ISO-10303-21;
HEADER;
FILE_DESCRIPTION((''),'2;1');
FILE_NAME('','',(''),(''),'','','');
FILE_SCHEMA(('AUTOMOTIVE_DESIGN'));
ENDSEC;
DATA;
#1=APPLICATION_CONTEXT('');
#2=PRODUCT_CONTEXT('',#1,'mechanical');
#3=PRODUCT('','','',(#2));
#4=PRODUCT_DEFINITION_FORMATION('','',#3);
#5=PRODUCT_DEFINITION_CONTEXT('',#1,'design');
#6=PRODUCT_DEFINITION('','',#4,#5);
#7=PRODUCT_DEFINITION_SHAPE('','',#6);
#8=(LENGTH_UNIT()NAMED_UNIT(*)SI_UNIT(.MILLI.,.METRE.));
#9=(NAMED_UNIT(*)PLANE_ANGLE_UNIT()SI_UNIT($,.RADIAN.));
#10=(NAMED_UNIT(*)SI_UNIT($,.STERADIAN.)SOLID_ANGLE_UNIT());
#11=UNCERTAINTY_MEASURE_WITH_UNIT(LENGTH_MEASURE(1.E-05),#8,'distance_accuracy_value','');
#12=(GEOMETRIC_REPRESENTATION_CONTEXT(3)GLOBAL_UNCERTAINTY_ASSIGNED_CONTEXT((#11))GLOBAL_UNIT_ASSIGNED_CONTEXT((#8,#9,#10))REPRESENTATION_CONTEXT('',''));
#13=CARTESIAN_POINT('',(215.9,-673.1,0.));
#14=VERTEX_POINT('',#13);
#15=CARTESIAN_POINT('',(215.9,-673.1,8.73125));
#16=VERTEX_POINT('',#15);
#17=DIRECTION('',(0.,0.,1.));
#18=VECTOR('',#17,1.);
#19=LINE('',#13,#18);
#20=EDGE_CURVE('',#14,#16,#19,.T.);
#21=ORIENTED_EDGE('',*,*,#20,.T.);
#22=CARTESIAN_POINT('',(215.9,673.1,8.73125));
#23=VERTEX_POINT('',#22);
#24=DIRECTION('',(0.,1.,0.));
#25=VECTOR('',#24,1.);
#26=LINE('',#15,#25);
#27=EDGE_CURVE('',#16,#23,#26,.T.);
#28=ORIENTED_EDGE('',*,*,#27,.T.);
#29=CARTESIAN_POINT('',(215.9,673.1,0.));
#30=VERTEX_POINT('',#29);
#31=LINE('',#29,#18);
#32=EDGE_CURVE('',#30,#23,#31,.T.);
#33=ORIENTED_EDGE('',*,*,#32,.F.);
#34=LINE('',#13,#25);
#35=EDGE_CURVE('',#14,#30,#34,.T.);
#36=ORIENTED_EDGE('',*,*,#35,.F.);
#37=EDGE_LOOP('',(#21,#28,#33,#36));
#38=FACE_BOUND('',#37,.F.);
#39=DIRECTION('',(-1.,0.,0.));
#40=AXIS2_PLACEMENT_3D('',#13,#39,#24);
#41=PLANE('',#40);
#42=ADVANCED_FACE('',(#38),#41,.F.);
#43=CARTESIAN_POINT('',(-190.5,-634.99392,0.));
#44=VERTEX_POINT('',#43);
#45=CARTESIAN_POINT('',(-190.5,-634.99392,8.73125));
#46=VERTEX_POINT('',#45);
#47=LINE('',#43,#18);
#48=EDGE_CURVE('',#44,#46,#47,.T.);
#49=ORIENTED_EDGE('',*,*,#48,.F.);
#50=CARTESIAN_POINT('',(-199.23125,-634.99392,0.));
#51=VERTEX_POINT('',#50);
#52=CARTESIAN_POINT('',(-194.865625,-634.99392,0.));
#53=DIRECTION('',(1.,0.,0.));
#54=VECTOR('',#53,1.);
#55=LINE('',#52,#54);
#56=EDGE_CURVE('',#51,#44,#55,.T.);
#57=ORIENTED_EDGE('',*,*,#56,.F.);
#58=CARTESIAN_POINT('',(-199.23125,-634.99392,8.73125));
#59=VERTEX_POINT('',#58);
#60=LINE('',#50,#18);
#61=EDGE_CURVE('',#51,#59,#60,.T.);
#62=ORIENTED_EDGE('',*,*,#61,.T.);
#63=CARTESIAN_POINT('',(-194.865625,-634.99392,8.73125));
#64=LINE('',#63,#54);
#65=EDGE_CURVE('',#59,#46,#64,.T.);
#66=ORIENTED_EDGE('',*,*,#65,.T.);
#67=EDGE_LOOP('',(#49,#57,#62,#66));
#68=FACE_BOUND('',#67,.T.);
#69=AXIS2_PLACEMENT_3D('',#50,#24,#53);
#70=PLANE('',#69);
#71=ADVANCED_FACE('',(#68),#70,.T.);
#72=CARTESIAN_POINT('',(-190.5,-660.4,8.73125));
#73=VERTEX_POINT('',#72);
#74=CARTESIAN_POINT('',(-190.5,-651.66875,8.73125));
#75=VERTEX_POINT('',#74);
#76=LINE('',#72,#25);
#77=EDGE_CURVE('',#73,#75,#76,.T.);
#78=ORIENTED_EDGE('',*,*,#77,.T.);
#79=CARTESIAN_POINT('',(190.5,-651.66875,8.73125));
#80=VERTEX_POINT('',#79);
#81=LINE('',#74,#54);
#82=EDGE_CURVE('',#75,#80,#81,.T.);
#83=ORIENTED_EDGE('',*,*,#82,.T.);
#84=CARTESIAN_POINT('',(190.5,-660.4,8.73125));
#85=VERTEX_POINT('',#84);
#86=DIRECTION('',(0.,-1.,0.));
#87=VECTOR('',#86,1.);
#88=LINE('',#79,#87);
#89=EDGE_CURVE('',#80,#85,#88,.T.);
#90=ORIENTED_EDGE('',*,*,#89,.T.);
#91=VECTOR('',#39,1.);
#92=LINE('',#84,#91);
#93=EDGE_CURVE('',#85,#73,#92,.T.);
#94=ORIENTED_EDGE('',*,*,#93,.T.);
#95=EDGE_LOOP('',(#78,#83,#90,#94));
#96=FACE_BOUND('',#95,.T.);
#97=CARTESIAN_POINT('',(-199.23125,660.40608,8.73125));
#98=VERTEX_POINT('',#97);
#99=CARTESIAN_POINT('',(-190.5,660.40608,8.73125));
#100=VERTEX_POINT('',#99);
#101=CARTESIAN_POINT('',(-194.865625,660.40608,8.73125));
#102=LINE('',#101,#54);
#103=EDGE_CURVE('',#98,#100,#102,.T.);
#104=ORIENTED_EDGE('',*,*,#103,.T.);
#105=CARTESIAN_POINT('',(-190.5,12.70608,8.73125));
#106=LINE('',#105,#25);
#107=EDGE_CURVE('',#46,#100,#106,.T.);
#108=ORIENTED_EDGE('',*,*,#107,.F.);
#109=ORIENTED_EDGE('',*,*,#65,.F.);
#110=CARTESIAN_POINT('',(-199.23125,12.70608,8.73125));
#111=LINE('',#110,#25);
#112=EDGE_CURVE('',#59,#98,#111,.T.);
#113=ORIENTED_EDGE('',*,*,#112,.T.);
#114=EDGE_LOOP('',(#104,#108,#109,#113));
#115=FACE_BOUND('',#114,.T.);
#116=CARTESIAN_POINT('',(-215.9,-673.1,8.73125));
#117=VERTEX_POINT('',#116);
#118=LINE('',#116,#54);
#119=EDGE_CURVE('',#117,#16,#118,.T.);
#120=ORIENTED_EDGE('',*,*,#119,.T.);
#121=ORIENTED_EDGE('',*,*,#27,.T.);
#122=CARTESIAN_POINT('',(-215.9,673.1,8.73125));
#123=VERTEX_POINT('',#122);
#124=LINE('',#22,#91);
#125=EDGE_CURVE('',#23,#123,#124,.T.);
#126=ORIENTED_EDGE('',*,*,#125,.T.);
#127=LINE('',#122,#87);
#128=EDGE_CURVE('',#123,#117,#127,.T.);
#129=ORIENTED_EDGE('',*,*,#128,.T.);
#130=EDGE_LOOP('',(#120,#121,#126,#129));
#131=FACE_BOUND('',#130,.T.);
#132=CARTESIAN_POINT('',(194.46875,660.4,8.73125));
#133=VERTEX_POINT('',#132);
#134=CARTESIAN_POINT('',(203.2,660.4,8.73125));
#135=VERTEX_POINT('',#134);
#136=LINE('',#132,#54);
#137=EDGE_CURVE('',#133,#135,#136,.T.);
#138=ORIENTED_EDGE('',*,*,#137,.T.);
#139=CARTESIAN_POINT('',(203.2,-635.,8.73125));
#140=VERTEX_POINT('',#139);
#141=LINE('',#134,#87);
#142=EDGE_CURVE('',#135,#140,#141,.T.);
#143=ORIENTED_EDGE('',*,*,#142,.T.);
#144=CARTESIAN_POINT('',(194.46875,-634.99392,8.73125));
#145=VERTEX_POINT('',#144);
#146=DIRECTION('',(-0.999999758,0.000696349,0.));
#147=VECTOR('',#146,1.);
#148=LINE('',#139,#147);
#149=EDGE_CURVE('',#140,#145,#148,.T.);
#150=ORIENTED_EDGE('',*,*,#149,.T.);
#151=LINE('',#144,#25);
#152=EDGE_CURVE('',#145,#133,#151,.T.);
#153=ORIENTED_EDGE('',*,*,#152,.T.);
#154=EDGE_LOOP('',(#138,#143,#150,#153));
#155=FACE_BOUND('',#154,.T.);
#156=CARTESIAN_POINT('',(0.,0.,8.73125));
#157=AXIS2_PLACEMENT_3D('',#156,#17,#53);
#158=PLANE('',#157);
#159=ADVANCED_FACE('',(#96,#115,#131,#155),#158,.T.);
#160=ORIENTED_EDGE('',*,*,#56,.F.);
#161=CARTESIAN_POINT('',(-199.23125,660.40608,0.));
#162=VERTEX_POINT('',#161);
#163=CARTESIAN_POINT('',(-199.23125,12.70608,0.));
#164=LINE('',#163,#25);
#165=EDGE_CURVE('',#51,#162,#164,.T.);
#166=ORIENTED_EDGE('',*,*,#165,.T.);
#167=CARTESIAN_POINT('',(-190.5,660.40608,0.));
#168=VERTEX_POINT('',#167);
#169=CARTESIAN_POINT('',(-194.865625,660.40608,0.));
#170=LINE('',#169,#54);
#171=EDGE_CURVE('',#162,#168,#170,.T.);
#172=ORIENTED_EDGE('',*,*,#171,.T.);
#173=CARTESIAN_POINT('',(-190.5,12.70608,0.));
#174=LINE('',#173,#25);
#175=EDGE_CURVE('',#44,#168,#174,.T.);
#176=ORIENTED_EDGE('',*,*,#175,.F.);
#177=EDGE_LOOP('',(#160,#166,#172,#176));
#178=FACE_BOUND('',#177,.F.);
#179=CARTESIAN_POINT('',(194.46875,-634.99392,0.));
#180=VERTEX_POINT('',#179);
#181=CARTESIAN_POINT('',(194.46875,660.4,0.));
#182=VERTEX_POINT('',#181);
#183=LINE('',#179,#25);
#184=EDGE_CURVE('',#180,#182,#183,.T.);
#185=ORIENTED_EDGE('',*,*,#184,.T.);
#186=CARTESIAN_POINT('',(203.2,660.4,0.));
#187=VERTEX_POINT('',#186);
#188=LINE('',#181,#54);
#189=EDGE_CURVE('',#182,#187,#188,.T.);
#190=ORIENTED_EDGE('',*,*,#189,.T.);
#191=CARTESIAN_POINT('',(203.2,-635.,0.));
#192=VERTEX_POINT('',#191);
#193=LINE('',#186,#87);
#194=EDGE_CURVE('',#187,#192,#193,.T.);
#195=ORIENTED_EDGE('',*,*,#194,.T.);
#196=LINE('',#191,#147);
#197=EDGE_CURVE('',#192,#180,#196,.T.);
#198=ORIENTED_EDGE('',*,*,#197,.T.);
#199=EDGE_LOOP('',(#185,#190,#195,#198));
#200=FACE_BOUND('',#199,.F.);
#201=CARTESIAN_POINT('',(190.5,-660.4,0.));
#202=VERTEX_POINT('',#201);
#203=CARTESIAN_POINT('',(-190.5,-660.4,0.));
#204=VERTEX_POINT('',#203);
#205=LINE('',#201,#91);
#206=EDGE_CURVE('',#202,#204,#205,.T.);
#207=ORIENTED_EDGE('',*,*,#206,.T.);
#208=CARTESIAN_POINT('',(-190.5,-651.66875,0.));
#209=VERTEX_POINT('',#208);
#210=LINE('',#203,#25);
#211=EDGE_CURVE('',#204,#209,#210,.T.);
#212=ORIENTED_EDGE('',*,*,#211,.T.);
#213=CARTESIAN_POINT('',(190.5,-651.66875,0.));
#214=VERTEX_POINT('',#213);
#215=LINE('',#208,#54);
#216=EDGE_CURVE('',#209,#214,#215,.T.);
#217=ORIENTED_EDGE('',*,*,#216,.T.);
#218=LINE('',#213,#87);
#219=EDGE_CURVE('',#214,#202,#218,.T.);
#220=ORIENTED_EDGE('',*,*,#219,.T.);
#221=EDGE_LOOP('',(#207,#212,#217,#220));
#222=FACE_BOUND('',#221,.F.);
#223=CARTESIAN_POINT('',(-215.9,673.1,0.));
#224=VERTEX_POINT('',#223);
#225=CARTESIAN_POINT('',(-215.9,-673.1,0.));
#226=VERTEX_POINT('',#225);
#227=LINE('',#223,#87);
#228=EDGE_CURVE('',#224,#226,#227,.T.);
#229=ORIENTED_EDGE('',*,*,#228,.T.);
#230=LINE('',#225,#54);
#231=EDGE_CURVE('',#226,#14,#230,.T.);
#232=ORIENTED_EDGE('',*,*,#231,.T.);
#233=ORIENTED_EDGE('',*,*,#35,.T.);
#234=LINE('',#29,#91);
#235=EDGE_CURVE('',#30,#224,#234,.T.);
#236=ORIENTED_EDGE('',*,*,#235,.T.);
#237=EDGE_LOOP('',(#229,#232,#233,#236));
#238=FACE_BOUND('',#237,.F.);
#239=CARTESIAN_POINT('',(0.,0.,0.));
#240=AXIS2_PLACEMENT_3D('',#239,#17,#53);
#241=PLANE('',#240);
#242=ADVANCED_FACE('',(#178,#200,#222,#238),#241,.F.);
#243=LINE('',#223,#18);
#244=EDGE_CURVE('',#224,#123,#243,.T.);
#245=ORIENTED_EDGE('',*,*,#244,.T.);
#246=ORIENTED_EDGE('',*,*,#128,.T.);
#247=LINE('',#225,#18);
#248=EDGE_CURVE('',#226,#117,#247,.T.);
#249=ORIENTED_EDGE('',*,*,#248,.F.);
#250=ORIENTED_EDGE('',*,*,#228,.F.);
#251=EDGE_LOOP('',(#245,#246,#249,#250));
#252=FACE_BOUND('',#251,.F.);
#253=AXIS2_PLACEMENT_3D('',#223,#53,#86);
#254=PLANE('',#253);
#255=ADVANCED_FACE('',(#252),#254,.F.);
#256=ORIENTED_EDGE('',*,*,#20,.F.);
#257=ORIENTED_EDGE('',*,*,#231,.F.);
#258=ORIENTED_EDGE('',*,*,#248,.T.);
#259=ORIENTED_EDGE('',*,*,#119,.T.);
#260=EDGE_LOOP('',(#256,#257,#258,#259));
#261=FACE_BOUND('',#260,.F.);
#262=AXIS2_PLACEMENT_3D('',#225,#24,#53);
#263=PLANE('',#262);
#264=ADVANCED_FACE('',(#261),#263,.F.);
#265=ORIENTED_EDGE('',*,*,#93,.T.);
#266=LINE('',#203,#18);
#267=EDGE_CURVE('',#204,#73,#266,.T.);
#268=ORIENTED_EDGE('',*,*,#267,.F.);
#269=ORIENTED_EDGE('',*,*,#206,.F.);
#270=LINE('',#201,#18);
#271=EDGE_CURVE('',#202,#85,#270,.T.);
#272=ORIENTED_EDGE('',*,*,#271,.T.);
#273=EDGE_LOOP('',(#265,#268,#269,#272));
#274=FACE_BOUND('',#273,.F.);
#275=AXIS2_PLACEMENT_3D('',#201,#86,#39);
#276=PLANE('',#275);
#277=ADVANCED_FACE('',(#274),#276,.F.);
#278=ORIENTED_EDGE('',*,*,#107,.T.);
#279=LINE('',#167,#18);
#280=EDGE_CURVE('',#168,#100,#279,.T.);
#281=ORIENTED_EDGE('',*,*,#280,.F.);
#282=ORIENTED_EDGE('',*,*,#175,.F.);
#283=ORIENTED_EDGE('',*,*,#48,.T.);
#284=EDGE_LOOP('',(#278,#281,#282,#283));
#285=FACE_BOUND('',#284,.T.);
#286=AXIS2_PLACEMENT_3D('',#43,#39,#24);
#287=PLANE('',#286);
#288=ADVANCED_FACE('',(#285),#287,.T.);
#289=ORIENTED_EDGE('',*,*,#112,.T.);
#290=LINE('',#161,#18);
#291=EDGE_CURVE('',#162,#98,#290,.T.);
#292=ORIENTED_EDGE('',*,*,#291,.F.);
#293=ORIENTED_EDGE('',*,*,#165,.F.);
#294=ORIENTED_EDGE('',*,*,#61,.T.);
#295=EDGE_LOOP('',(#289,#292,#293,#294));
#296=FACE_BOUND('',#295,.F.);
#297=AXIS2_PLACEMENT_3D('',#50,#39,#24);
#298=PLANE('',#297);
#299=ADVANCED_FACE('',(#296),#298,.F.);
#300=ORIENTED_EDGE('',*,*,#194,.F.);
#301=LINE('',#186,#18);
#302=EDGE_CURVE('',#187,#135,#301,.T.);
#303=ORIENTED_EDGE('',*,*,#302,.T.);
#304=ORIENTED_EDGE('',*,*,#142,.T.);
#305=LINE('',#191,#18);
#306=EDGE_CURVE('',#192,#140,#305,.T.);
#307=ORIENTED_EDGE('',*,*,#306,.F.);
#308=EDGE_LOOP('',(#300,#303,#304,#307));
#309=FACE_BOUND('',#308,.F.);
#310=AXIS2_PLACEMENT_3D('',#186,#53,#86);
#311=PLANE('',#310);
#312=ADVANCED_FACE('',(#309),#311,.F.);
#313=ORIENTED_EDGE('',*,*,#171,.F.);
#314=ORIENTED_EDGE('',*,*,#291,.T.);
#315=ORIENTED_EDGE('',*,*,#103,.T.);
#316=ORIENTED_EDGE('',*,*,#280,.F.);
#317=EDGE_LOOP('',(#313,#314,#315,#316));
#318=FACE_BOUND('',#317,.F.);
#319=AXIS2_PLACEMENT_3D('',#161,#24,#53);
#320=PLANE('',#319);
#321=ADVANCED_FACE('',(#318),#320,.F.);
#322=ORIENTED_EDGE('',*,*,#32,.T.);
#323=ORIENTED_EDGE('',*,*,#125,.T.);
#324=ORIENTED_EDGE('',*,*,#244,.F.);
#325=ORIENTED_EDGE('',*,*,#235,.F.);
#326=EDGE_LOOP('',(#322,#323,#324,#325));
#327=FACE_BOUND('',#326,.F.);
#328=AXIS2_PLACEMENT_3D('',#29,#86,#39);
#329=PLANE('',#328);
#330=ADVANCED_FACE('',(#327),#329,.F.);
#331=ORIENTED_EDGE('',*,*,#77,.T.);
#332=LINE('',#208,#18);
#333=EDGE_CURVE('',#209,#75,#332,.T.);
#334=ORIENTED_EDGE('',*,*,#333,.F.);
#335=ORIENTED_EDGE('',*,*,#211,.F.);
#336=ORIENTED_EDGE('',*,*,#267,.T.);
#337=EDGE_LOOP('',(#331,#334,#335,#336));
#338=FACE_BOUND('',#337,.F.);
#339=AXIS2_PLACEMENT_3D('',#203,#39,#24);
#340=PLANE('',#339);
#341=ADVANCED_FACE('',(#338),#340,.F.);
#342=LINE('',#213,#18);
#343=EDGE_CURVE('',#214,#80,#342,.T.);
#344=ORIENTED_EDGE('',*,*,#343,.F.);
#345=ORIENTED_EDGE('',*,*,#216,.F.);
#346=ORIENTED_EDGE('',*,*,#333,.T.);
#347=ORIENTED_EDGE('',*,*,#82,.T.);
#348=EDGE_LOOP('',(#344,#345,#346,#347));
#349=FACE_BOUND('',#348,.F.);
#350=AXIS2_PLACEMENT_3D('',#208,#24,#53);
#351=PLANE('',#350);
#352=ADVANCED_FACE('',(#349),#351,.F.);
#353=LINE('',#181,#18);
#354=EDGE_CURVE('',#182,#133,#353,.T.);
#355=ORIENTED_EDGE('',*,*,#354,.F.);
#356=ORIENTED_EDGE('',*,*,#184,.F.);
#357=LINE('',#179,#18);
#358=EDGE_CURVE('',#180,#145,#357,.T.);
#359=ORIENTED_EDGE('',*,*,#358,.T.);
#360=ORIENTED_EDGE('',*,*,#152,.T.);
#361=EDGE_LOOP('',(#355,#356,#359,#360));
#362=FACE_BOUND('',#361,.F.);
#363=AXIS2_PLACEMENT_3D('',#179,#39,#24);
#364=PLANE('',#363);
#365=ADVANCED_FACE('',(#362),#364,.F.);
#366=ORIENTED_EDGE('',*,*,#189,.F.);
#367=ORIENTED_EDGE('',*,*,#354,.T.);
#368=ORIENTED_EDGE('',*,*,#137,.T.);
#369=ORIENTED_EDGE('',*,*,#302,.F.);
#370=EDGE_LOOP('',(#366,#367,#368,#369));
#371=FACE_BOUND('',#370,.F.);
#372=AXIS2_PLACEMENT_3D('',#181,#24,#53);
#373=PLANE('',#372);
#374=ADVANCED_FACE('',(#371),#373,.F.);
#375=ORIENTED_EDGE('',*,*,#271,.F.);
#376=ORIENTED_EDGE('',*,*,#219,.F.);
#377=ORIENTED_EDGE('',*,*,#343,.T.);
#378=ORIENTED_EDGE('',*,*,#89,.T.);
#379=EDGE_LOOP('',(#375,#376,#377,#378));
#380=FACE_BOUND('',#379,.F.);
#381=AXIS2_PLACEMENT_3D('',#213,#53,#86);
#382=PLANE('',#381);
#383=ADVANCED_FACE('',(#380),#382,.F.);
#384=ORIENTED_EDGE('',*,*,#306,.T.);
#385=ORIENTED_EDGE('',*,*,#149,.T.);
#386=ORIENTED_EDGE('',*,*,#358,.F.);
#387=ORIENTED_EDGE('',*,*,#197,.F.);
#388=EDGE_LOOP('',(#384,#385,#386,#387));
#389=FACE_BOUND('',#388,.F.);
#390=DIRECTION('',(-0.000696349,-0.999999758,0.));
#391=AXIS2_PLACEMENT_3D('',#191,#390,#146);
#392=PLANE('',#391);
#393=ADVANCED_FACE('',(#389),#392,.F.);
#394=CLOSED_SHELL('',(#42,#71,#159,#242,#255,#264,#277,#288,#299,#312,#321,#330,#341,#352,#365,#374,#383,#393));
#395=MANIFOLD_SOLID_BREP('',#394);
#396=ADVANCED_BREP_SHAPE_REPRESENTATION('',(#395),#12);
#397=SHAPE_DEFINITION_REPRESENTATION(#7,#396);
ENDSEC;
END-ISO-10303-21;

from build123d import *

# Parameters (mm, degrees)
F0_W     = 8.73125
F0_H     = 1295.4
F1_DEPTH = 8.73125


with BuildPart() as f1:
    # F0 (on Top) → F1 (new body)
    with BuildSketch(Plane.XY):
        Polygon((215.9, 673.1), (-215.9, 673.1), (-215.9, -673.1), (0, -673.1), (215.9, -673.1), (215.9, 74.258551), align=None)
        Polygon((190.5, -660.4), (0, -660.4), (-190.5, -660.4), (-190.5, -651.66875), (190.5, -651.66875), align=None, mode=Mode.SUBTRACT)
        with Locations((-194.865625, 12.70608)):
            Rectangle(F0_W, F0_H, mode=Mode.SUBTRACT)
        Polygon((203.2, 660.4), (203.2, 74.258551), (203.2, -635), (194.46875, -634.99392), (194.46875, 660.4), align=None, mode=Mode.SUBTRACT)
    extrude(amount=F1_DEPTH)


solid = f1.part
